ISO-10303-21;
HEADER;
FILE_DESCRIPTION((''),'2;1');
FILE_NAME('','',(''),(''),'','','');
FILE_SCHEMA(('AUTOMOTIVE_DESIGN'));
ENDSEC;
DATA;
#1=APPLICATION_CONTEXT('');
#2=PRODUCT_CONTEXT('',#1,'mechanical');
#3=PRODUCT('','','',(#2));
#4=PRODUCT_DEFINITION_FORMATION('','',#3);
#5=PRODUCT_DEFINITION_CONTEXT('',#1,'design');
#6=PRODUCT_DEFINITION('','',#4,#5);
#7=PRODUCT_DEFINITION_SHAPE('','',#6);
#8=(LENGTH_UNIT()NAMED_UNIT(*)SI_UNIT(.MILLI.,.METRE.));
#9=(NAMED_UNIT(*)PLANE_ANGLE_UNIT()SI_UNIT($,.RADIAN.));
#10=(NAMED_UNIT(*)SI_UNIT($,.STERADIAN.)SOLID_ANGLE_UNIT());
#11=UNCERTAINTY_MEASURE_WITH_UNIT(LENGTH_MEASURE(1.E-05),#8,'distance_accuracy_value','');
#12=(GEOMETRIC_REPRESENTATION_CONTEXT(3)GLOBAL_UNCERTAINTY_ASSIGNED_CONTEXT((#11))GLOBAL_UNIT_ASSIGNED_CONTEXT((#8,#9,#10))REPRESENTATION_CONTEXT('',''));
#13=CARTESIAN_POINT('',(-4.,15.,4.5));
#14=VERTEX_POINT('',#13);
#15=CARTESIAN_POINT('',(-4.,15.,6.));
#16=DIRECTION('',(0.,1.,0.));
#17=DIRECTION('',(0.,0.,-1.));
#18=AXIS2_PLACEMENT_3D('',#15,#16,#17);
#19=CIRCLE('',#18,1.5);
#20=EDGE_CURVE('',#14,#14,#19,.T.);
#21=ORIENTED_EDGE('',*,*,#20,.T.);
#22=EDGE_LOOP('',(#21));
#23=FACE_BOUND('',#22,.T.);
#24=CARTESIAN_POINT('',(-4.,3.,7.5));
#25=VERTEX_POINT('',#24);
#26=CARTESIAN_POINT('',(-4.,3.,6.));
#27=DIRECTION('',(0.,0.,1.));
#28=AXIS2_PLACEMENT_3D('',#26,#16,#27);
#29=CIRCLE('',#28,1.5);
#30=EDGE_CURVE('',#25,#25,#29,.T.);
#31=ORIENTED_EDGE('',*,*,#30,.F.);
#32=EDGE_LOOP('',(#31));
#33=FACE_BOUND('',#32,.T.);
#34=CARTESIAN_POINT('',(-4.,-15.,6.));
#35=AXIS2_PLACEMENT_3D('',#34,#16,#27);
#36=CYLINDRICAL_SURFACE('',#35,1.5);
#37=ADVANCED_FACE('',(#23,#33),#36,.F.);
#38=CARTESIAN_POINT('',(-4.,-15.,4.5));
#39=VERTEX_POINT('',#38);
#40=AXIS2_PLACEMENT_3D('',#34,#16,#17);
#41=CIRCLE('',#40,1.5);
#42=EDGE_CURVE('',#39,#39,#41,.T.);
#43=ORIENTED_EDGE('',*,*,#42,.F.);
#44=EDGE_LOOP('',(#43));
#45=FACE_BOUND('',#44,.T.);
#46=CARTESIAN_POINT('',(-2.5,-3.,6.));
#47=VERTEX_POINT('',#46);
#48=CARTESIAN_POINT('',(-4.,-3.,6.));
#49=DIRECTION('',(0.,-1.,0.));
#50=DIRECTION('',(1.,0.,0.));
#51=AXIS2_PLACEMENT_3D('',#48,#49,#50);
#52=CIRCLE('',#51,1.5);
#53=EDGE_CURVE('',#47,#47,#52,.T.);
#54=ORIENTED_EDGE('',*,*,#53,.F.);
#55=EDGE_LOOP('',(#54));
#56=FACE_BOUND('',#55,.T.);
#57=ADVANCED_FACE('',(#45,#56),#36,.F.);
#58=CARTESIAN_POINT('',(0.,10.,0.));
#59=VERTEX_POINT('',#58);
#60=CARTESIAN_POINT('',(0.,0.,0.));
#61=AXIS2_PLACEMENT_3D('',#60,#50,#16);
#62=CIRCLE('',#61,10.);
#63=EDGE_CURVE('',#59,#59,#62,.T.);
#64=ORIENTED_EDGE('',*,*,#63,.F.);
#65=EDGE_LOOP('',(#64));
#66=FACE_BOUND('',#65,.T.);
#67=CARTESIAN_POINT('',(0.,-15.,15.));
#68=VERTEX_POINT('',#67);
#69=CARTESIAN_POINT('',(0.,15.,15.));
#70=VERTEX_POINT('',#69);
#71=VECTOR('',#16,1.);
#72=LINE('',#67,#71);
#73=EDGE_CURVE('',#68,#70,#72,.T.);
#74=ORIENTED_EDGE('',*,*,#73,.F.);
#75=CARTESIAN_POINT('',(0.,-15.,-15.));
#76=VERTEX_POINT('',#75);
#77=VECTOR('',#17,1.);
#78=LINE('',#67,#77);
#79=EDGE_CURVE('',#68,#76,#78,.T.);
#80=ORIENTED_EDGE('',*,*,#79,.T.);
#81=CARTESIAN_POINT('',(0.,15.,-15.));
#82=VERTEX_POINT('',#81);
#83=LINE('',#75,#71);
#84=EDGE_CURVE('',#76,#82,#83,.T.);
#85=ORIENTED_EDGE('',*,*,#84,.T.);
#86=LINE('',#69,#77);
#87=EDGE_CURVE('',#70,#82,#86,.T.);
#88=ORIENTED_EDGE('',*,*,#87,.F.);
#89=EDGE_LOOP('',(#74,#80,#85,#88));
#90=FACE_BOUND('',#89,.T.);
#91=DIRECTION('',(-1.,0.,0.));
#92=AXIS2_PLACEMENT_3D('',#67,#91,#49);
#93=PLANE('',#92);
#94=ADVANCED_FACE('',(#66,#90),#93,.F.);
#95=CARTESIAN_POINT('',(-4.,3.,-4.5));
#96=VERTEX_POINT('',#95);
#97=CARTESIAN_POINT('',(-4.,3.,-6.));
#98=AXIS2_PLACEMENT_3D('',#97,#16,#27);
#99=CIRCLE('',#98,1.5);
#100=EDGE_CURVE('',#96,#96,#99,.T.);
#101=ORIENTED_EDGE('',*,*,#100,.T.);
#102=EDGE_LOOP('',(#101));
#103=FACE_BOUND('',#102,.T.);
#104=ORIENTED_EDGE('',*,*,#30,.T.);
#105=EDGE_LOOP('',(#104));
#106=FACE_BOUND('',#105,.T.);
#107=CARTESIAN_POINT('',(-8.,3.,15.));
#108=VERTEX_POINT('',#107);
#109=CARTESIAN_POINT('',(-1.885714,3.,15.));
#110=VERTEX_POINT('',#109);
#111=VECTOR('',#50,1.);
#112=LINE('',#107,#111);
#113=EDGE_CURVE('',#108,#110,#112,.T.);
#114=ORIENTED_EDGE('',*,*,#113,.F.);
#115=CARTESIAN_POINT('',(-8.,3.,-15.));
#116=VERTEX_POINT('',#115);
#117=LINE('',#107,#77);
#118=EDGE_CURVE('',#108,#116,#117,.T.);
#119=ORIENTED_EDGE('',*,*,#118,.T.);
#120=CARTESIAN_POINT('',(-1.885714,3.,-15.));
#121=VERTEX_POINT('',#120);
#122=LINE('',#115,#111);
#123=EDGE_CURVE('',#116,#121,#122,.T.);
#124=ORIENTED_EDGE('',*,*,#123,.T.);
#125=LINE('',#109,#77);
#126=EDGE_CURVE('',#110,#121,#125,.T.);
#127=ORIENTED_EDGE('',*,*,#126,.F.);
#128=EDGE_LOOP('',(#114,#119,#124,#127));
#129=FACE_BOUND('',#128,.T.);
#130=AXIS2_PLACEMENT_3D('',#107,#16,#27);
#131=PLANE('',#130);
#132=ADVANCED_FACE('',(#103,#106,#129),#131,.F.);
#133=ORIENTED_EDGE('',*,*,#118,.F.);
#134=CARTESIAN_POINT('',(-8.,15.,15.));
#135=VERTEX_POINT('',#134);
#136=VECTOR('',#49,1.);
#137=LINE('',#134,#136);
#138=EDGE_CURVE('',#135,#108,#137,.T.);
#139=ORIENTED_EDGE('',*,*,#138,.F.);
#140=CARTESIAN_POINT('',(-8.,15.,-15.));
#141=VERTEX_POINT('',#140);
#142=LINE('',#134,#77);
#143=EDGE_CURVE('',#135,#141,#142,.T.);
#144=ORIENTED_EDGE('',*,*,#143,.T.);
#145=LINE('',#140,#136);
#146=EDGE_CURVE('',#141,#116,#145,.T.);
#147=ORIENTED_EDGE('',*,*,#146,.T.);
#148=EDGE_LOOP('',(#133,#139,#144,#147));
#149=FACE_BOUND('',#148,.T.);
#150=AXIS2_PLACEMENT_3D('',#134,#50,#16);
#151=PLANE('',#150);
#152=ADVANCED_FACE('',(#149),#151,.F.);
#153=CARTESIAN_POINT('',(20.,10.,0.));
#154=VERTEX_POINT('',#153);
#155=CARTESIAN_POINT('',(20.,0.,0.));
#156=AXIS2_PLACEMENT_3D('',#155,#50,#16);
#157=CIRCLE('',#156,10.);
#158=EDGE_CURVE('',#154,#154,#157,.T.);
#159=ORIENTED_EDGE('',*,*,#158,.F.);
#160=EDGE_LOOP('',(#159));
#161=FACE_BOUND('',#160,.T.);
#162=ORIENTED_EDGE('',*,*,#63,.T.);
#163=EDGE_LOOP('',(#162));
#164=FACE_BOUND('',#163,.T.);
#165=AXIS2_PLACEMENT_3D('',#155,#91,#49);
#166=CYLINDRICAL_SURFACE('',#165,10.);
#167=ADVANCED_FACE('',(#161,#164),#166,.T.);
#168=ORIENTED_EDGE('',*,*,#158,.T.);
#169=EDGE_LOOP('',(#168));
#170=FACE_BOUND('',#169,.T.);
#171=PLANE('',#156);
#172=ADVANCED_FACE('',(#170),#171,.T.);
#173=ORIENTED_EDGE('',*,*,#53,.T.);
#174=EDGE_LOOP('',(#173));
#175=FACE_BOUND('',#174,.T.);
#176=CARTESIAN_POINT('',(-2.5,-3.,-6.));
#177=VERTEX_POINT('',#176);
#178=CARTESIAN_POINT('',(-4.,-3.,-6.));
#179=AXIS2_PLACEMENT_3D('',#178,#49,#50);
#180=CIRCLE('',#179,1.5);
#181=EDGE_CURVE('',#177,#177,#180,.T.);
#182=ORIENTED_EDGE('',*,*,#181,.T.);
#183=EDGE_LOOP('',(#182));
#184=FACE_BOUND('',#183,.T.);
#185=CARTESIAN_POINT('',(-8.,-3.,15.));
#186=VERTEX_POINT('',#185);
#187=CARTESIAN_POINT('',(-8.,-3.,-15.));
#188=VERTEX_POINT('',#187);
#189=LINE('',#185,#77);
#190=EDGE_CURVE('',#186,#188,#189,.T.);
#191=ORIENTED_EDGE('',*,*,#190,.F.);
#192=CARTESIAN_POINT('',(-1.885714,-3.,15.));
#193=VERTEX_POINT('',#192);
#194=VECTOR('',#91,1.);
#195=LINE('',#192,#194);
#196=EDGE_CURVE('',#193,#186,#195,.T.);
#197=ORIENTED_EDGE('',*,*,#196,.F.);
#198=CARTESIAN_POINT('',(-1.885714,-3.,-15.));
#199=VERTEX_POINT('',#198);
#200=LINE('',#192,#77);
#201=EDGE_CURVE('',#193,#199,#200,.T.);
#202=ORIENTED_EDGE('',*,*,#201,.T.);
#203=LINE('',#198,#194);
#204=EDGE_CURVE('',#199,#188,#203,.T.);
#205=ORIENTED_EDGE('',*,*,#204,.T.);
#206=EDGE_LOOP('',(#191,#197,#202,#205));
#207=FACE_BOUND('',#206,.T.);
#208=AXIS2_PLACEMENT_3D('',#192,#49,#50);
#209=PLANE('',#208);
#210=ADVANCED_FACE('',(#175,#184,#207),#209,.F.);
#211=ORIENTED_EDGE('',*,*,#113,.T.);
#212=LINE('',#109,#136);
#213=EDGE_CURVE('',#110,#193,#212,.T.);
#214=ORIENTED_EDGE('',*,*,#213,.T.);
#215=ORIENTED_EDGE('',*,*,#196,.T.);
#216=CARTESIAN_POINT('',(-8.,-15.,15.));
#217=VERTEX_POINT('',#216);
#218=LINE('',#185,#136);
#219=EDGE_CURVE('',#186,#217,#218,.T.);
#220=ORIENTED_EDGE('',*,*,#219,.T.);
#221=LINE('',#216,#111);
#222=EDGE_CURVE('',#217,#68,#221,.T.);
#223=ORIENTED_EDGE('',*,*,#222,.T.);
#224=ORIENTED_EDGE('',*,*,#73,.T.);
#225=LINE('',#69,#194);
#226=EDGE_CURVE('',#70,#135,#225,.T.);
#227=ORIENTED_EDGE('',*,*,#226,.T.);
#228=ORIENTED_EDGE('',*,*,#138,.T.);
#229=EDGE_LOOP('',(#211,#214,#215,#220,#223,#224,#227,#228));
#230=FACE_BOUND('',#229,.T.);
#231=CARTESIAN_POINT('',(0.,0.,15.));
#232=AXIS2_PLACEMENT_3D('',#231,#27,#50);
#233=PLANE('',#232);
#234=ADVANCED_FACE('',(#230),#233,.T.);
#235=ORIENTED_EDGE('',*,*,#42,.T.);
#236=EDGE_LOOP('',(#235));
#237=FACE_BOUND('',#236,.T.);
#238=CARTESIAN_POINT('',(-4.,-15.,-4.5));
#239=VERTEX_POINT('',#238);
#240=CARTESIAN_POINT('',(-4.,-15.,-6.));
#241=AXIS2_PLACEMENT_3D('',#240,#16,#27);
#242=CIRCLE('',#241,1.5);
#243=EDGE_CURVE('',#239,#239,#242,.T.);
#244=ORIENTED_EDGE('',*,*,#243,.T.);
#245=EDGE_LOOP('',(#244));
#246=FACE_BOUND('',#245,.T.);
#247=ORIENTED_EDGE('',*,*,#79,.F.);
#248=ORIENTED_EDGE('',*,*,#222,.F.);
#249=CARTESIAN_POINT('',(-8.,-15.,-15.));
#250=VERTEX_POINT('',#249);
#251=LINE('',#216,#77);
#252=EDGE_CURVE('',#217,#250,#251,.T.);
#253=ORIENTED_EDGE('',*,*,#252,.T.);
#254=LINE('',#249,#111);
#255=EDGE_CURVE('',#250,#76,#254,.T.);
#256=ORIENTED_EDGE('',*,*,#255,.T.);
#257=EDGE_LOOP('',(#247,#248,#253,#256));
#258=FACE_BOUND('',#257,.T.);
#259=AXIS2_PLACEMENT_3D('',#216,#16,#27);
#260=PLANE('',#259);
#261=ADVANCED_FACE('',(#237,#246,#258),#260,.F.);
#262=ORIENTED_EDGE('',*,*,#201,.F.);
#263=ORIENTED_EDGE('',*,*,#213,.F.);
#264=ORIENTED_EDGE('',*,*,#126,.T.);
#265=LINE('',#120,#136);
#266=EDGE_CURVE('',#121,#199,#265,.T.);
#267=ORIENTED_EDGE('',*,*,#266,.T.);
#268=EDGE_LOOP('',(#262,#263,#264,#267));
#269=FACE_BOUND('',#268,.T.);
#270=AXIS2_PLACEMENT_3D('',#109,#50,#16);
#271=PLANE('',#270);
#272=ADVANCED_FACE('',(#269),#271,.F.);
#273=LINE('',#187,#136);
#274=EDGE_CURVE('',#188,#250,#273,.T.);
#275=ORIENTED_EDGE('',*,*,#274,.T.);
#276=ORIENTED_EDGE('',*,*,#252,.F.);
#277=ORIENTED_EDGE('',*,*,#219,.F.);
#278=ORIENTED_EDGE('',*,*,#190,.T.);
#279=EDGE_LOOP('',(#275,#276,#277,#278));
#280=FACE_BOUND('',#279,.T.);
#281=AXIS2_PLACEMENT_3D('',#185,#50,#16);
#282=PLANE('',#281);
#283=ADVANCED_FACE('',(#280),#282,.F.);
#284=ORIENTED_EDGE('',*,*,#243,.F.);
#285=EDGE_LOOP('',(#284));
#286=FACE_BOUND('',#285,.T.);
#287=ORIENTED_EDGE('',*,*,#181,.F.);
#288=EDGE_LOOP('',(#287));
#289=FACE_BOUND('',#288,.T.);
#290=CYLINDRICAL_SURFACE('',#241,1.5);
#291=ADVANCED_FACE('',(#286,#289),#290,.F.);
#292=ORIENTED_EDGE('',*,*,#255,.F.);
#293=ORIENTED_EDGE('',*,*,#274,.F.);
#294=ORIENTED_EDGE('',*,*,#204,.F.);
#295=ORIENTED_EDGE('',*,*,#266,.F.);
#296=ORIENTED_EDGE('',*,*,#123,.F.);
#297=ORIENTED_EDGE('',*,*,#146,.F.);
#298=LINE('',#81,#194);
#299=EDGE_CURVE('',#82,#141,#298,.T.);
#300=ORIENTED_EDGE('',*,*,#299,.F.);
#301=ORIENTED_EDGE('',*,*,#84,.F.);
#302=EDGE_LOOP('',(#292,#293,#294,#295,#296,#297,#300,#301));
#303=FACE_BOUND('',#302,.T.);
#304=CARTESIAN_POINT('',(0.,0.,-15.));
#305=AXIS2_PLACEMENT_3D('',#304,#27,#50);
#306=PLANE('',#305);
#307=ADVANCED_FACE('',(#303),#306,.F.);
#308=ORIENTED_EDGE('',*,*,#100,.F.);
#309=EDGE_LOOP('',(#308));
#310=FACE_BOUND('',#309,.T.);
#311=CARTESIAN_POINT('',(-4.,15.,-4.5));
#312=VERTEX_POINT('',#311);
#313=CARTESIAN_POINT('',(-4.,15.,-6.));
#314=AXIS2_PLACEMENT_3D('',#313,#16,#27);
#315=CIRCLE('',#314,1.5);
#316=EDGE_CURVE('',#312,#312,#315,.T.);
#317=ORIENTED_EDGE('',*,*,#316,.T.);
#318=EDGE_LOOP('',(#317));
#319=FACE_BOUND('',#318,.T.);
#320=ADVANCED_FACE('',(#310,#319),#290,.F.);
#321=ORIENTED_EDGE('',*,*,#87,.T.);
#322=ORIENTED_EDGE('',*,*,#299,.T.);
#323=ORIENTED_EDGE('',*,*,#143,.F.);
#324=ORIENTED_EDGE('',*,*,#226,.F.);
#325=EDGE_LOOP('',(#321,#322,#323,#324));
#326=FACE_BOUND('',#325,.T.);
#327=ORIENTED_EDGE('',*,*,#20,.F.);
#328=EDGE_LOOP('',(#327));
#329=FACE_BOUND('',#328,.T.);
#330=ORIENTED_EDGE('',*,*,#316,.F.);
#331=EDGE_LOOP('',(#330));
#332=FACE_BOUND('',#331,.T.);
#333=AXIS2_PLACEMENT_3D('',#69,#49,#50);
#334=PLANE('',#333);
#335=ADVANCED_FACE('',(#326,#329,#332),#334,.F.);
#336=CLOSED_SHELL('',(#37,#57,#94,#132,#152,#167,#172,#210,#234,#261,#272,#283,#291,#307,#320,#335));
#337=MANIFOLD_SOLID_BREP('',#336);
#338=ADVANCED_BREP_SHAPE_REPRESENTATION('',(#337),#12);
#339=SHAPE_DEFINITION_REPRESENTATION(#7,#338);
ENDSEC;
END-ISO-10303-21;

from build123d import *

# Parameters (mm, degrees)
BOSS_EXTRUDE1_DEPTH = 15
SKETCH2_R           = 1.5
CUT_EXTRUDE1_DEPTH  = 35.481879299
SKETCH3_R           = 10
BOSS_EXTRUDE2_DEPTH = 20


with BuildPart() as part:
    # Sketch1 → Boss-Extrude1 (new, symmetric)
    with BuildSketch(Plane.XY):
        Polygon((0, -15), (0, 15), (-8, 15), (-8, 3), (-1.885714286, 3), (-1.885714286, -3), (-8, -3), (-8, -15), align=None)
    extrude(amount=BOSS_EXTRUDE1_DEPTH, both=True)

    # Sketch2 → Cut-Extrude1 (cut, through all)
    with BuildSketch(Plane(origin=(0, 15, 0), x_dir=(1, 0, 0), z_dir=(0, 1, 0))):
        with Locations(Location((-4, 6, 0), (0, 0, 270))):
            Circle(SKETCH2_R)
        with Locations((-4, -6)):
            Circle(SKETCH2_R)
    extrude(amount=-CUT_EXTRUDE1_DEPTH, mode=Mode.SUBTRACT)

    # Sketch3 → Boss-Extrude2 (add)
    with BuildSketch(Plane(origin=(0, 0, 0), x_dir=(0, 0, -1), z_dir=(1, 0, 0))):
        with Locations(Location((0, 0, 0), (0, 0, 90))):
            Circle(SKETCH3_R)
    extrude(amount=BOSS_EXTRUDE2_DEPTH)


solid = part.part
